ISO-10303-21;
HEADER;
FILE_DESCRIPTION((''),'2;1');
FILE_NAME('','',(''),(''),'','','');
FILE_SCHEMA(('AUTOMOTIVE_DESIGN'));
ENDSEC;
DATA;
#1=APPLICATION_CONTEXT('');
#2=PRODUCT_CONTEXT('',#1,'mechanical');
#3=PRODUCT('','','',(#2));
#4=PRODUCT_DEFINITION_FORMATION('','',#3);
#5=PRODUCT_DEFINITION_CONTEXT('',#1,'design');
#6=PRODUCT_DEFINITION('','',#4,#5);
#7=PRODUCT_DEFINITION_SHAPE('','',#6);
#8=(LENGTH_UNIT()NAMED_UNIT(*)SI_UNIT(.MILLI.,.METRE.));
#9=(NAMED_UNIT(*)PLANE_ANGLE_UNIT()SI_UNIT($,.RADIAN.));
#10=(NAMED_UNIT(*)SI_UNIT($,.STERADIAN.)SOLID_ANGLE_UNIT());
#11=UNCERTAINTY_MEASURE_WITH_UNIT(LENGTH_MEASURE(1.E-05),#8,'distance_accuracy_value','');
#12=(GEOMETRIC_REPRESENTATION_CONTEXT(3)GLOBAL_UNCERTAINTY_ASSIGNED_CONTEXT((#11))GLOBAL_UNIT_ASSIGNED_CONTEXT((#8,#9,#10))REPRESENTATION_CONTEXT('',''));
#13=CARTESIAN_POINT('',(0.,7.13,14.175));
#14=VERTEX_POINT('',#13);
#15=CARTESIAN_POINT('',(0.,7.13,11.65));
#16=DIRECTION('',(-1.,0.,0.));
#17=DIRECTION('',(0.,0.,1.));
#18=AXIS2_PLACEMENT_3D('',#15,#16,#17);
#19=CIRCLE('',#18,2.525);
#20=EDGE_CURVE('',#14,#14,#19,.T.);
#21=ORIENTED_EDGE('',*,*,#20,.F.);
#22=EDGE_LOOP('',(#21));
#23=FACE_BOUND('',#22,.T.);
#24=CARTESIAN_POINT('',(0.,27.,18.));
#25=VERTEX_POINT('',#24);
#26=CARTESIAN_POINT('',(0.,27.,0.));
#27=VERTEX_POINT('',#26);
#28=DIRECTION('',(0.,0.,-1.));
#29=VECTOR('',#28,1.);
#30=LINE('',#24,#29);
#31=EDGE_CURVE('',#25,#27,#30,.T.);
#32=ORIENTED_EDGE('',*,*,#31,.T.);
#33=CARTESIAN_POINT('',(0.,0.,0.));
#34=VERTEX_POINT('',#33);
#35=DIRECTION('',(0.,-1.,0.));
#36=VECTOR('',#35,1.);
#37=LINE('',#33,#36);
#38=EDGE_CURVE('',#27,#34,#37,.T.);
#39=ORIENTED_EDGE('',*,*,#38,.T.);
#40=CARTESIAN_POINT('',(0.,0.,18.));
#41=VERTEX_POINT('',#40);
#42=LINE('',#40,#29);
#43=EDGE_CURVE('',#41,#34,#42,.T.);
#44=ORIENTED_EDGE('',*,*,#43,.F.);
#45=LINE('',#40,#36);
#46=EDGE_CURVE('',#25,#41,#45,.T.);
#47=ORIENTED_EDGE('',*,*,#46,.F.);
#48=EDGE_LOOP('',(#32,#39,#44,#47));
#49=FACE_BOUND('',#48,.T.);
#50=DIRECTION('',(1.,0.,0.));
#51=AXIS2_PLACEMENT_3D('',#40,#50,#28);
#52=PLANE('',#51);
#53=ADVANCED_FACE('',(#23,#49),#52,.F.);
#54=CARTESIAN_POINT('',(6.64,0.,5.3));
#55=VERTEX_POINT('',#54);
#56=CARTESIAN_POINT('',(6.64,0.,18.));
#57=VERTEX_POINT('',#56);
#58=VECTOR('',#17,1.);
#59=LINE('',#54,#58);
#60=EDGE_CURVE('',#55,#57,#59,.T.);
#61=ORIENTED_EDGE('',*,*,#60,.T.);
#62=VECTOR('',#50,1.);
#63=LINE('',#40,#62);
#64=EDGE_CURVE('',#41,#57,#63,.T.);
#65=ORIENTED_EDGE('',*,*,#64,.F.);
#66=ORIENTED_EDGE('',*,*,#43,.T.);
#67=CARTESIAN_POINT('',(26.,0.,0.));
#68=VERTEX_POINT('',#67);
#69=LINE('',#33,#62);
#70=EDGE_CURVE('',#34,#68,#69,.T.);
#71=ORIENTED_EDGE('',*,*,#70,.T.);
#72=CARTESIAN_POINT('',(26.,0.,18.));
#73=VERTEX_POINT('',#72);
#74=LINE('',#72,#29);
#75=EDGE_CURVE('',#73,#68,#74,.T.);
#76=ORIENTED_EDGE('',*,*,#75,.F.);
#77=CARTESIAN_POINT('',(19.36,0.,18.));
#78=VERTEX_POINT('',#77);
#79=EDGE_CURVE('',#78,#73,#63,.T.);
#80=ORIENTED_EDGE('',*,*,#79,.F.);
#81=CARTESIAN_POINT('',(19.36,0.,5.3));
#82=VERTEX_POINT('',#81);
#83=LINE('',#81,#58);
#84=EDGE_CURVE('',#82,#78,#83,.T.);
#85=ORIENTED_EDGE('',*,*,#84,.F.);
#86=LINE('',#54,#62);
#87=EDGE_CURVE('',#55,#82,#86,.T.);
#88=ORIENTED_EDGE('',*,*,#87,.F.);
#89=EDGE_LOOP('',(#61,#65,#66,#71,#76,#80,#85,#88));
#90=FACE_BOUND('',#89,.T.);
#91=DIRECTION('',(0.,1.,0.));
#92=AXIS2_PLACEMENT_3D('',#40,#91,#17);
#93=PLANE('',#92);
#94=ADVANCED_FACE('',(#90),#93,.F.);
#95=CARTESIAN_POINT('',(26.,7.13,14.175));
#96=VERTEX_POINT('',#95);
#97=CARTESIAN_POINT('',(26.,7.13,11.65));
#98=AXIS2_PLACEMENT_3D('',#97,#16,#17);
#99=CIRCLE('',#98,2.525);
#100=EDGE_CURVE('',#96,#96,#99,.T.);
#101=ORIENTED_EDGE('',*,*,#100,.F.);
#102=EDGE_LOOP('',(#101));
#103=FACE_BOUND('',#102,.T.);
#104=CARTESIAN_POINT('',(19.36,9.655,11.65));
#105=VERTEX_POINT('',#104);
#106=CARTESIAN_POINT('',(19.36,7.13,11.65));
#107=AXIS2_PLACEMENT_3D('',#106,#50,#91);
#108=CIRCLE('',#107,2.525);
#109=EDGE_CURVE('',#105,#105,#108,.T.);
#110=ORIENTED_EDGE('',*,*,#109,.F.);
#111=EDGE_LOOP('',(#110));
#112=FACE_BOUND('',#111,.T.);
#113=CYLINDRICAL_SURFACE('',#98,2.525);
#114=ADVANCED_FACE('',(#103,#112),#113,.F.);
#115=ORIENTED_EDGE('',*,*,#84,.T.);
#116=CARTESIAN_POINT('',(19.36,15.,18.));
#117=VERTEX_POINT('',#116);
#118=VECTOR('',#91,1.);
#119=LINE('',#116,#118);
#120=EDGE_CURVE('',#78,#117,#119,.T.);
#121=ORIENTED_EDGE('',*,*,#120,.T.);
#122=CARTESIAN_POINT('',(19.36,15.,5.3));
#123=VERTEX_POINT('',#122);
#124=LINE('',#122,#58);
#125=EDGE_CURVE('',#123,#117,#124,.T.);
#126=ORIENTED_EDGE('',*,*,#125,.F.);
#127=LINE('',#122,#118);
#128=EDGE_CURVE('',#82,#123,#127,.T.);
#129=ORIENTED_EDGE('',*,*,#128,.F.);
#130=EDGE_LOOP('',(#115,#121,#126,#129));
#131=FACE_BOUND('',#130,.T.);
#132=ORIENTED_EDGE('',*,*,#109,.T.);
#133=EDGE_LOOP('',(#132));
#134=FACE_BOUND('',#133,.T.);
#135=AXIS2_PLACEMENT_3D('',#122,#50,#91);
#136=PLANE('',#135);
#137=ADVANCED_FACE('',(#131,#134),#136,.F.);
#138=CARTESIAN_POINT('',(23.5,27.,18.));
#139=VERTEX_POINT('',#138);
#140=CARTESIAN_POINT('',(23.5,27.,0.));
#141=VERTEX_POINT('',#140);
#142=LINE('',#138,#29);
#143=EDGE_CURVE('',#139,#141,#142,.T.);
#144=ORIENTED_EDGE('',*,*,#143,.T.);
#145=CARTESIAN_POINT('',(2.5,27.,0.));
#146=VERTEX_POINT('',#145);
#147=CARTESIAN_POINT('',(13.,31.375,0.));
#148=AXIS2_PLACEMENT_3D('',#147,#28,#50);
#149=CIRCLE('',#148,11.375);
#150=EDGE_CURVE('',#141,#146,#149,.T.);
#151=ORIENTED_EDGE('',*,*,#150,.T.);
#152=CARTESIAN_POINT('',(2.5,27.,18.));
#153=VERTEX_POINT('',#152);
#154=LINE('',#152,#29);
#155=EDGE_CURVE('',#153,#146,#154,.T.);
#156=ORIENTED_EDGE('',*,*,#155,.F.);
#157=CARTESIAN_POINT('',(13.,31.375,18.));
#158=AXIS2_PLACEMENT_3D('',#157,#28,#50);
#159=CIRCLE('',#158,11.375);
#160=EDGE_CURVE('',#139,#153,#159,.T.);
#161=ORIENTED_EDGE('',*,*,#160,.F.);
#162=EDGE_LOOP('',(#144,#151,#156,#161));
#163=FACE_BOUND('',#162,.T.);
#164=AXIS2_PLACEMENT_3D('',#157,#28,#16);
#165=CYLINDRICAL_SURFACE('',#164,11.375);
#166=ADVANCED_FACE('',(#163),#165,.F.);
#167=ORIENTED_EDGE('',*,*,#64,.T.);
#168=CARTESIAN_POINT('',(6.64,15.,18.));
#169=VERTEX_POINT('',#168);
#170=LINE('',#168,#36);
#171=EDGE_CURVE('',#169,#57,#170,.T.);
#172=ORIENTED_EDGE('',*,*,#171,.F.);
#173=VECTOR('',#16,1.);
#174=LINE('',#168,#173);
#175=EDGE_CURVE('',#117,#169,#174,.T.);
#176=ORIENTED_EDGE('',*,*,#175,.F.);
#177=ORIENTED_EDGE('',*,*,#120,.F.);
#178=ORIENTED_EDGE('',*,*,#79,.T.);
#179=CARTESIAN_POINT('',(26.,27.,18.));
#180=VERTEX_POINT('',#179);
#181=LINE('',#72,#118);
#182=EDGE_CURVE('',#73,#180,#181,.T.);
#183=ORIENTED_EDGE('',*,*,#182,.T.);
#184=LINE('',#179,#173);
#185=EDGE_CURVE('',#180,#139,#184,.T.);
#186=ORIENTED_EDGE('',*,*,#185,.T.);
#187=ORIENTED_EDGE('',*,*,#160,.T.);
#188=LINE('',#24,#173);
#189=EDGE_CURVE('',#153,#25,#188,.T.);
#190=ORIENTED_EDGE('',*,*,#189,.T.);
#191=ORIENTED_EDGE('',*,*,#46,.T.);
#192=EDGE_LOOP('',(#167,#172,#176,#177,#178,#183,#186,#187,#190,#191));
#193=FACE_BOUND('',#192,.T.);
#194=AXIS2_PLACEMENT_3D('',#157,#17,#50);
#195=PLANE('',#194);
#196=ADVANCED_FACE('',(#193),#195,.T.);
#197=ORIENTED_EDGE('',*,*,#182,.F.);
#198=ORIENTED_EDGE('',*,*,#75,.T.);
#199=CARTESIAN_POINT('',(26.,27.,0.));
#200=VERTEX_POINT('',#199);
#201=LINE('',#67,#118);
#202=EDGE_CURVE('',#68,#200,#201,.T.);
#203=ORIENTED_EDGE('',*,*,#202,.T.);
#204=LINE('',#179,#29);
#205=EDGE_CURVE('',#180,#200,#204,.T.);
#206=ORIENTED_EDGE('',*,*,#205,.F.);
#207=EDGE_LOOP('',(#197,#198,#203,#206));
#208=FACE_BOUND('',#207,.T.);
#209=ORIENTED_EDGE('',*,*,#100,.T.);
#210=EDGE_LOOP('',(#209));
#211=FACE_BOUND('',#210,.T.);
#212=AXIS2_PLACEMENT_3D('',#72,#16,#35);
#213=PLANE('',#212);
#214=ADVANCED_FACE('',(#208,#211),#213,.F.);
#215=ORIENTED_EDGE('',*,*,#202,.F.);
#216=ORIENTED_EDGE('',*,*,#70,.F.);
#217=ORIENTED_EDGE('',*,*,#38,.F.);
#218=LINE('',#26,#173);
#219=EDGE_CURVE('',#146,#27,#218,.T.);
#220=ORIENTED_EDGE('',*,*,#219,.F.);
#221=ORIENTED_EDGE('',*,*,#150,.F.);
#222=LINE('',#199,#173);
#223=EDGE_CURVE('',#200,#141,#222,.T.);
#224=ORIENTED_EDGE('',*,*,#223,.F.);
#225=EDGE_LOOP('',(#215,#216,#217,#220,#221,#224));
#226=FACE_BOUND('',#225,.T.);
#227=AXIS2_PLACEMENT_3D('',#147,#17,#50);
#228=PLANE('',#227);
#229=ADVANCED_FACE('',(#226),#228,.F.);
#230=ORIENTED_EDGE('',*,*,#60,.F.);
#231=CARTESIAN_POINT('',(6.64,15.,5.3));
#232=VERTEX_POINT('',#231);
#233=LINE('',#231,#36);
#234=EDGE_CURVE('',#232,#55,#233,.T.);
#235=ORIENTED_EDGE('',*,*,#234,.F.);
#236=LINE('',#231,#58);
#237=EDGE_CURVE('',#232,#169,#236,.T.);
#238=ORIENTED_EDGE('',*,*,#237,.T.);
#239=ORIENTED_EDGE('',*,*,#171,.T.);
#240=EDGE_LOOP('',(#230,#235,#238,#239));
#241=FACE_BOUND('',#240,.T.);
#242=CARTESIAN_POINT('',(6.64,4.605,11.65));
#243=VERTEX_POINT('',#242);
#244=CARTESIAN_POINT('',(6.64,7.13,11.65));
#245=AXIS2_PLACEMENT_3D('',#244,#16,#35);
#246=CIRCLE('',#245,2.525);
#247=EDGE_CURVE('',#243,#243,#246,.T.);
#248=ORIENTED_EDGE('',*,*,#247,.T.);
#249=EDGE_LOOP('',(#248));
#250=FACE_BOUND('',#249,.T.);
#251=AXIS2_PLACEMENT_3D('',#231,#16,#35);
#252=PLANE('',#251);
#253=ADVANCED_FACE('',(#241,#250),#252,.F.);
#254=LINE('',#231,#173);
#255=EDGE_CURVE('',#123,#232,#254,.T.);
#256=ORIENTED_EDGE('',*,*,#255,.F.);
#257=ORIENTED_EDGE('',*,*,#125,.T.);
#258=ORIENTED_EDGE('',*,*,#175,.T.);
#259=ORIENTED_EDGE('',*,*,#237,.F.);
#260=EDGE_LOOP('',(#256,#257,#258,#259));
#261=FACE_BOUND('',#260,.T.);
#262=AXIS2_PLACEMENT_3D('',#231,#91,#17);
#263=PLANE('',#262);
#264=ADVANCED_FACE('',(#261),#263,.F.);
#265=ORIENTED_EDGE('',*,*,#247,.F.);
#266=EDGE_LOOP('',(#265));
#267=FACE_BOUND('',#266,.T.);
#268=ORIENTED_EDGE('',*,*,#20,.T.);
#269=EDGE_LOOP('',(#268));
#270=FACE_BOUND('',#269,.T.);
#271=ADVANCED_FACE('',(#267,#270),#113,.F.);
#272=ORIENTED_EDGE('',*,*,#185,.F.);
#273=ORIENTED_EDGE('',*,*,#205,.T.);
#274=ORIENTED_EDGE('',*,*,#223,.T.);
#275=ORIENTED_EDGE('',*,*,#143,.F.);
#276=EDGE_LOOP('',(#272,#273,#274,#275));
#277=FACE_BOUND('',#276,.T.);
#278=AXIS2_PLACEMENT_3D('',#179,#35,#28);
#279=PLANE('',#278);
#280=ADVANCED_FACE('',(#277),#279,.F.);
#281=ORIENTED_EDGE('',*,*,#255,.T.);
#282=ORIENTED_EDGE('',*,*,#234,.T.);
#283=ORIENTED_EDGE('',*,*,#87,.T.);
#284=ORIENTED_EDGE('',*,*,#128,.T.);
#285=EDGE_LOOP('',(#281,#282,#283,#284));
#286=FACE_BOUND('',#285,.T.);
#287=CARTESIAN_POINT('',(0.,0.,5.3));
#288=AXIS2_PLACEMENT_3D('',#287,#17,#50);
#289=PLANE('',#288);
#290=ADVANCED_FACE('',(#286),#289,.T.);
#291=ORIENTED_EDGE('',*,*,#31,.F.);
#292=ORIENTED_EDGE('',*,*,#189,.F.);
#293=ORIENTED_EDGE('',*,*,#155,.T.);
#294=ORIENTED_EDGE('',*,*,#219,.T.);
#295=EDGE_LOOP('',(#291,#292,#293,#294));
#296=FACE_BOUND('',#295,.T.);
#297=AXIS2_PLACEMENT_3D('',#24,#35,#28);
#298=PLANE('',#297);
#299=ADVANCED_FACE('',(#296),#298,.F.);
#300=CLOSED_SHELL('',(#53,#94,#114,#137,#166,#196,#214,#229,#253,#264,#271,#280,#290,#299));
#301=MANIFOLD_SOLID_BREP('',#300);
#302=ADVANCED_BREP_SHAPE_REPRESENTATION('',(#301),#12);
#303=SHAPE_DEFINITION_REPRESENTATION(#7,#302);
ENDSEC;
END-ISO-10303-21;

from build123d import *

# Parameters (mm, degrees)
BOSS_EXTRU_1_DEPTH      = 18
ESQUISSE2_W             = 12.72
ESQUISSE2_H             = 15
ENL_V_MAT_EXTRU_1_DEPTH = 12.7
ESQUISSE3_R             = 2.525
ENL_V_MAT_EXTRU_2_DEPTH = 27


with BuildPart() as part:
    # Esquisse1 → Boss.-Extru.1 (new body)
    with BuildSketch(Plane.XY):
        with BuildLine():
            Line((0, 0), (26, 0))
            Line((26, 0), (26, 27))
            Line((26, 27), (23.5, 27))
            ThreePointArc((23.5, 27), (13, 20), (2.5, 27))
            Line((2.5, 27), (0, 27))
            Line((0, 27), (0, 0))
        make_face()
    extrude(amount=BOSS_EXTRU_1_DEPTH)

    # Esquisse2 → Enlèv. mat.-Extru.1 (cut)
    with BuildSketch(Plane.XY.offset(18)):
        with Locations((13, 7.5)):
            Rectangle(ESQUISSE2_W, ESQUISSE2_H)
    extrude(amount=-ENL_V_MAT_EXTRU_1_DEPTH, mode=Mode.SUBTRACT)

    # Esquisse3 → Enlèv. mat.-Extru.2 (cut, through all)
    with BuildSketch(Plane.ZY):
        with Locations((11.65, 7.13)):
            Circle(ESQUISSE3_R)
    extrude(amount=-ENL_V_MAT_EXTRU_2_DEPTH, mode=Mode.SUBTRACT)


solid = part.part
